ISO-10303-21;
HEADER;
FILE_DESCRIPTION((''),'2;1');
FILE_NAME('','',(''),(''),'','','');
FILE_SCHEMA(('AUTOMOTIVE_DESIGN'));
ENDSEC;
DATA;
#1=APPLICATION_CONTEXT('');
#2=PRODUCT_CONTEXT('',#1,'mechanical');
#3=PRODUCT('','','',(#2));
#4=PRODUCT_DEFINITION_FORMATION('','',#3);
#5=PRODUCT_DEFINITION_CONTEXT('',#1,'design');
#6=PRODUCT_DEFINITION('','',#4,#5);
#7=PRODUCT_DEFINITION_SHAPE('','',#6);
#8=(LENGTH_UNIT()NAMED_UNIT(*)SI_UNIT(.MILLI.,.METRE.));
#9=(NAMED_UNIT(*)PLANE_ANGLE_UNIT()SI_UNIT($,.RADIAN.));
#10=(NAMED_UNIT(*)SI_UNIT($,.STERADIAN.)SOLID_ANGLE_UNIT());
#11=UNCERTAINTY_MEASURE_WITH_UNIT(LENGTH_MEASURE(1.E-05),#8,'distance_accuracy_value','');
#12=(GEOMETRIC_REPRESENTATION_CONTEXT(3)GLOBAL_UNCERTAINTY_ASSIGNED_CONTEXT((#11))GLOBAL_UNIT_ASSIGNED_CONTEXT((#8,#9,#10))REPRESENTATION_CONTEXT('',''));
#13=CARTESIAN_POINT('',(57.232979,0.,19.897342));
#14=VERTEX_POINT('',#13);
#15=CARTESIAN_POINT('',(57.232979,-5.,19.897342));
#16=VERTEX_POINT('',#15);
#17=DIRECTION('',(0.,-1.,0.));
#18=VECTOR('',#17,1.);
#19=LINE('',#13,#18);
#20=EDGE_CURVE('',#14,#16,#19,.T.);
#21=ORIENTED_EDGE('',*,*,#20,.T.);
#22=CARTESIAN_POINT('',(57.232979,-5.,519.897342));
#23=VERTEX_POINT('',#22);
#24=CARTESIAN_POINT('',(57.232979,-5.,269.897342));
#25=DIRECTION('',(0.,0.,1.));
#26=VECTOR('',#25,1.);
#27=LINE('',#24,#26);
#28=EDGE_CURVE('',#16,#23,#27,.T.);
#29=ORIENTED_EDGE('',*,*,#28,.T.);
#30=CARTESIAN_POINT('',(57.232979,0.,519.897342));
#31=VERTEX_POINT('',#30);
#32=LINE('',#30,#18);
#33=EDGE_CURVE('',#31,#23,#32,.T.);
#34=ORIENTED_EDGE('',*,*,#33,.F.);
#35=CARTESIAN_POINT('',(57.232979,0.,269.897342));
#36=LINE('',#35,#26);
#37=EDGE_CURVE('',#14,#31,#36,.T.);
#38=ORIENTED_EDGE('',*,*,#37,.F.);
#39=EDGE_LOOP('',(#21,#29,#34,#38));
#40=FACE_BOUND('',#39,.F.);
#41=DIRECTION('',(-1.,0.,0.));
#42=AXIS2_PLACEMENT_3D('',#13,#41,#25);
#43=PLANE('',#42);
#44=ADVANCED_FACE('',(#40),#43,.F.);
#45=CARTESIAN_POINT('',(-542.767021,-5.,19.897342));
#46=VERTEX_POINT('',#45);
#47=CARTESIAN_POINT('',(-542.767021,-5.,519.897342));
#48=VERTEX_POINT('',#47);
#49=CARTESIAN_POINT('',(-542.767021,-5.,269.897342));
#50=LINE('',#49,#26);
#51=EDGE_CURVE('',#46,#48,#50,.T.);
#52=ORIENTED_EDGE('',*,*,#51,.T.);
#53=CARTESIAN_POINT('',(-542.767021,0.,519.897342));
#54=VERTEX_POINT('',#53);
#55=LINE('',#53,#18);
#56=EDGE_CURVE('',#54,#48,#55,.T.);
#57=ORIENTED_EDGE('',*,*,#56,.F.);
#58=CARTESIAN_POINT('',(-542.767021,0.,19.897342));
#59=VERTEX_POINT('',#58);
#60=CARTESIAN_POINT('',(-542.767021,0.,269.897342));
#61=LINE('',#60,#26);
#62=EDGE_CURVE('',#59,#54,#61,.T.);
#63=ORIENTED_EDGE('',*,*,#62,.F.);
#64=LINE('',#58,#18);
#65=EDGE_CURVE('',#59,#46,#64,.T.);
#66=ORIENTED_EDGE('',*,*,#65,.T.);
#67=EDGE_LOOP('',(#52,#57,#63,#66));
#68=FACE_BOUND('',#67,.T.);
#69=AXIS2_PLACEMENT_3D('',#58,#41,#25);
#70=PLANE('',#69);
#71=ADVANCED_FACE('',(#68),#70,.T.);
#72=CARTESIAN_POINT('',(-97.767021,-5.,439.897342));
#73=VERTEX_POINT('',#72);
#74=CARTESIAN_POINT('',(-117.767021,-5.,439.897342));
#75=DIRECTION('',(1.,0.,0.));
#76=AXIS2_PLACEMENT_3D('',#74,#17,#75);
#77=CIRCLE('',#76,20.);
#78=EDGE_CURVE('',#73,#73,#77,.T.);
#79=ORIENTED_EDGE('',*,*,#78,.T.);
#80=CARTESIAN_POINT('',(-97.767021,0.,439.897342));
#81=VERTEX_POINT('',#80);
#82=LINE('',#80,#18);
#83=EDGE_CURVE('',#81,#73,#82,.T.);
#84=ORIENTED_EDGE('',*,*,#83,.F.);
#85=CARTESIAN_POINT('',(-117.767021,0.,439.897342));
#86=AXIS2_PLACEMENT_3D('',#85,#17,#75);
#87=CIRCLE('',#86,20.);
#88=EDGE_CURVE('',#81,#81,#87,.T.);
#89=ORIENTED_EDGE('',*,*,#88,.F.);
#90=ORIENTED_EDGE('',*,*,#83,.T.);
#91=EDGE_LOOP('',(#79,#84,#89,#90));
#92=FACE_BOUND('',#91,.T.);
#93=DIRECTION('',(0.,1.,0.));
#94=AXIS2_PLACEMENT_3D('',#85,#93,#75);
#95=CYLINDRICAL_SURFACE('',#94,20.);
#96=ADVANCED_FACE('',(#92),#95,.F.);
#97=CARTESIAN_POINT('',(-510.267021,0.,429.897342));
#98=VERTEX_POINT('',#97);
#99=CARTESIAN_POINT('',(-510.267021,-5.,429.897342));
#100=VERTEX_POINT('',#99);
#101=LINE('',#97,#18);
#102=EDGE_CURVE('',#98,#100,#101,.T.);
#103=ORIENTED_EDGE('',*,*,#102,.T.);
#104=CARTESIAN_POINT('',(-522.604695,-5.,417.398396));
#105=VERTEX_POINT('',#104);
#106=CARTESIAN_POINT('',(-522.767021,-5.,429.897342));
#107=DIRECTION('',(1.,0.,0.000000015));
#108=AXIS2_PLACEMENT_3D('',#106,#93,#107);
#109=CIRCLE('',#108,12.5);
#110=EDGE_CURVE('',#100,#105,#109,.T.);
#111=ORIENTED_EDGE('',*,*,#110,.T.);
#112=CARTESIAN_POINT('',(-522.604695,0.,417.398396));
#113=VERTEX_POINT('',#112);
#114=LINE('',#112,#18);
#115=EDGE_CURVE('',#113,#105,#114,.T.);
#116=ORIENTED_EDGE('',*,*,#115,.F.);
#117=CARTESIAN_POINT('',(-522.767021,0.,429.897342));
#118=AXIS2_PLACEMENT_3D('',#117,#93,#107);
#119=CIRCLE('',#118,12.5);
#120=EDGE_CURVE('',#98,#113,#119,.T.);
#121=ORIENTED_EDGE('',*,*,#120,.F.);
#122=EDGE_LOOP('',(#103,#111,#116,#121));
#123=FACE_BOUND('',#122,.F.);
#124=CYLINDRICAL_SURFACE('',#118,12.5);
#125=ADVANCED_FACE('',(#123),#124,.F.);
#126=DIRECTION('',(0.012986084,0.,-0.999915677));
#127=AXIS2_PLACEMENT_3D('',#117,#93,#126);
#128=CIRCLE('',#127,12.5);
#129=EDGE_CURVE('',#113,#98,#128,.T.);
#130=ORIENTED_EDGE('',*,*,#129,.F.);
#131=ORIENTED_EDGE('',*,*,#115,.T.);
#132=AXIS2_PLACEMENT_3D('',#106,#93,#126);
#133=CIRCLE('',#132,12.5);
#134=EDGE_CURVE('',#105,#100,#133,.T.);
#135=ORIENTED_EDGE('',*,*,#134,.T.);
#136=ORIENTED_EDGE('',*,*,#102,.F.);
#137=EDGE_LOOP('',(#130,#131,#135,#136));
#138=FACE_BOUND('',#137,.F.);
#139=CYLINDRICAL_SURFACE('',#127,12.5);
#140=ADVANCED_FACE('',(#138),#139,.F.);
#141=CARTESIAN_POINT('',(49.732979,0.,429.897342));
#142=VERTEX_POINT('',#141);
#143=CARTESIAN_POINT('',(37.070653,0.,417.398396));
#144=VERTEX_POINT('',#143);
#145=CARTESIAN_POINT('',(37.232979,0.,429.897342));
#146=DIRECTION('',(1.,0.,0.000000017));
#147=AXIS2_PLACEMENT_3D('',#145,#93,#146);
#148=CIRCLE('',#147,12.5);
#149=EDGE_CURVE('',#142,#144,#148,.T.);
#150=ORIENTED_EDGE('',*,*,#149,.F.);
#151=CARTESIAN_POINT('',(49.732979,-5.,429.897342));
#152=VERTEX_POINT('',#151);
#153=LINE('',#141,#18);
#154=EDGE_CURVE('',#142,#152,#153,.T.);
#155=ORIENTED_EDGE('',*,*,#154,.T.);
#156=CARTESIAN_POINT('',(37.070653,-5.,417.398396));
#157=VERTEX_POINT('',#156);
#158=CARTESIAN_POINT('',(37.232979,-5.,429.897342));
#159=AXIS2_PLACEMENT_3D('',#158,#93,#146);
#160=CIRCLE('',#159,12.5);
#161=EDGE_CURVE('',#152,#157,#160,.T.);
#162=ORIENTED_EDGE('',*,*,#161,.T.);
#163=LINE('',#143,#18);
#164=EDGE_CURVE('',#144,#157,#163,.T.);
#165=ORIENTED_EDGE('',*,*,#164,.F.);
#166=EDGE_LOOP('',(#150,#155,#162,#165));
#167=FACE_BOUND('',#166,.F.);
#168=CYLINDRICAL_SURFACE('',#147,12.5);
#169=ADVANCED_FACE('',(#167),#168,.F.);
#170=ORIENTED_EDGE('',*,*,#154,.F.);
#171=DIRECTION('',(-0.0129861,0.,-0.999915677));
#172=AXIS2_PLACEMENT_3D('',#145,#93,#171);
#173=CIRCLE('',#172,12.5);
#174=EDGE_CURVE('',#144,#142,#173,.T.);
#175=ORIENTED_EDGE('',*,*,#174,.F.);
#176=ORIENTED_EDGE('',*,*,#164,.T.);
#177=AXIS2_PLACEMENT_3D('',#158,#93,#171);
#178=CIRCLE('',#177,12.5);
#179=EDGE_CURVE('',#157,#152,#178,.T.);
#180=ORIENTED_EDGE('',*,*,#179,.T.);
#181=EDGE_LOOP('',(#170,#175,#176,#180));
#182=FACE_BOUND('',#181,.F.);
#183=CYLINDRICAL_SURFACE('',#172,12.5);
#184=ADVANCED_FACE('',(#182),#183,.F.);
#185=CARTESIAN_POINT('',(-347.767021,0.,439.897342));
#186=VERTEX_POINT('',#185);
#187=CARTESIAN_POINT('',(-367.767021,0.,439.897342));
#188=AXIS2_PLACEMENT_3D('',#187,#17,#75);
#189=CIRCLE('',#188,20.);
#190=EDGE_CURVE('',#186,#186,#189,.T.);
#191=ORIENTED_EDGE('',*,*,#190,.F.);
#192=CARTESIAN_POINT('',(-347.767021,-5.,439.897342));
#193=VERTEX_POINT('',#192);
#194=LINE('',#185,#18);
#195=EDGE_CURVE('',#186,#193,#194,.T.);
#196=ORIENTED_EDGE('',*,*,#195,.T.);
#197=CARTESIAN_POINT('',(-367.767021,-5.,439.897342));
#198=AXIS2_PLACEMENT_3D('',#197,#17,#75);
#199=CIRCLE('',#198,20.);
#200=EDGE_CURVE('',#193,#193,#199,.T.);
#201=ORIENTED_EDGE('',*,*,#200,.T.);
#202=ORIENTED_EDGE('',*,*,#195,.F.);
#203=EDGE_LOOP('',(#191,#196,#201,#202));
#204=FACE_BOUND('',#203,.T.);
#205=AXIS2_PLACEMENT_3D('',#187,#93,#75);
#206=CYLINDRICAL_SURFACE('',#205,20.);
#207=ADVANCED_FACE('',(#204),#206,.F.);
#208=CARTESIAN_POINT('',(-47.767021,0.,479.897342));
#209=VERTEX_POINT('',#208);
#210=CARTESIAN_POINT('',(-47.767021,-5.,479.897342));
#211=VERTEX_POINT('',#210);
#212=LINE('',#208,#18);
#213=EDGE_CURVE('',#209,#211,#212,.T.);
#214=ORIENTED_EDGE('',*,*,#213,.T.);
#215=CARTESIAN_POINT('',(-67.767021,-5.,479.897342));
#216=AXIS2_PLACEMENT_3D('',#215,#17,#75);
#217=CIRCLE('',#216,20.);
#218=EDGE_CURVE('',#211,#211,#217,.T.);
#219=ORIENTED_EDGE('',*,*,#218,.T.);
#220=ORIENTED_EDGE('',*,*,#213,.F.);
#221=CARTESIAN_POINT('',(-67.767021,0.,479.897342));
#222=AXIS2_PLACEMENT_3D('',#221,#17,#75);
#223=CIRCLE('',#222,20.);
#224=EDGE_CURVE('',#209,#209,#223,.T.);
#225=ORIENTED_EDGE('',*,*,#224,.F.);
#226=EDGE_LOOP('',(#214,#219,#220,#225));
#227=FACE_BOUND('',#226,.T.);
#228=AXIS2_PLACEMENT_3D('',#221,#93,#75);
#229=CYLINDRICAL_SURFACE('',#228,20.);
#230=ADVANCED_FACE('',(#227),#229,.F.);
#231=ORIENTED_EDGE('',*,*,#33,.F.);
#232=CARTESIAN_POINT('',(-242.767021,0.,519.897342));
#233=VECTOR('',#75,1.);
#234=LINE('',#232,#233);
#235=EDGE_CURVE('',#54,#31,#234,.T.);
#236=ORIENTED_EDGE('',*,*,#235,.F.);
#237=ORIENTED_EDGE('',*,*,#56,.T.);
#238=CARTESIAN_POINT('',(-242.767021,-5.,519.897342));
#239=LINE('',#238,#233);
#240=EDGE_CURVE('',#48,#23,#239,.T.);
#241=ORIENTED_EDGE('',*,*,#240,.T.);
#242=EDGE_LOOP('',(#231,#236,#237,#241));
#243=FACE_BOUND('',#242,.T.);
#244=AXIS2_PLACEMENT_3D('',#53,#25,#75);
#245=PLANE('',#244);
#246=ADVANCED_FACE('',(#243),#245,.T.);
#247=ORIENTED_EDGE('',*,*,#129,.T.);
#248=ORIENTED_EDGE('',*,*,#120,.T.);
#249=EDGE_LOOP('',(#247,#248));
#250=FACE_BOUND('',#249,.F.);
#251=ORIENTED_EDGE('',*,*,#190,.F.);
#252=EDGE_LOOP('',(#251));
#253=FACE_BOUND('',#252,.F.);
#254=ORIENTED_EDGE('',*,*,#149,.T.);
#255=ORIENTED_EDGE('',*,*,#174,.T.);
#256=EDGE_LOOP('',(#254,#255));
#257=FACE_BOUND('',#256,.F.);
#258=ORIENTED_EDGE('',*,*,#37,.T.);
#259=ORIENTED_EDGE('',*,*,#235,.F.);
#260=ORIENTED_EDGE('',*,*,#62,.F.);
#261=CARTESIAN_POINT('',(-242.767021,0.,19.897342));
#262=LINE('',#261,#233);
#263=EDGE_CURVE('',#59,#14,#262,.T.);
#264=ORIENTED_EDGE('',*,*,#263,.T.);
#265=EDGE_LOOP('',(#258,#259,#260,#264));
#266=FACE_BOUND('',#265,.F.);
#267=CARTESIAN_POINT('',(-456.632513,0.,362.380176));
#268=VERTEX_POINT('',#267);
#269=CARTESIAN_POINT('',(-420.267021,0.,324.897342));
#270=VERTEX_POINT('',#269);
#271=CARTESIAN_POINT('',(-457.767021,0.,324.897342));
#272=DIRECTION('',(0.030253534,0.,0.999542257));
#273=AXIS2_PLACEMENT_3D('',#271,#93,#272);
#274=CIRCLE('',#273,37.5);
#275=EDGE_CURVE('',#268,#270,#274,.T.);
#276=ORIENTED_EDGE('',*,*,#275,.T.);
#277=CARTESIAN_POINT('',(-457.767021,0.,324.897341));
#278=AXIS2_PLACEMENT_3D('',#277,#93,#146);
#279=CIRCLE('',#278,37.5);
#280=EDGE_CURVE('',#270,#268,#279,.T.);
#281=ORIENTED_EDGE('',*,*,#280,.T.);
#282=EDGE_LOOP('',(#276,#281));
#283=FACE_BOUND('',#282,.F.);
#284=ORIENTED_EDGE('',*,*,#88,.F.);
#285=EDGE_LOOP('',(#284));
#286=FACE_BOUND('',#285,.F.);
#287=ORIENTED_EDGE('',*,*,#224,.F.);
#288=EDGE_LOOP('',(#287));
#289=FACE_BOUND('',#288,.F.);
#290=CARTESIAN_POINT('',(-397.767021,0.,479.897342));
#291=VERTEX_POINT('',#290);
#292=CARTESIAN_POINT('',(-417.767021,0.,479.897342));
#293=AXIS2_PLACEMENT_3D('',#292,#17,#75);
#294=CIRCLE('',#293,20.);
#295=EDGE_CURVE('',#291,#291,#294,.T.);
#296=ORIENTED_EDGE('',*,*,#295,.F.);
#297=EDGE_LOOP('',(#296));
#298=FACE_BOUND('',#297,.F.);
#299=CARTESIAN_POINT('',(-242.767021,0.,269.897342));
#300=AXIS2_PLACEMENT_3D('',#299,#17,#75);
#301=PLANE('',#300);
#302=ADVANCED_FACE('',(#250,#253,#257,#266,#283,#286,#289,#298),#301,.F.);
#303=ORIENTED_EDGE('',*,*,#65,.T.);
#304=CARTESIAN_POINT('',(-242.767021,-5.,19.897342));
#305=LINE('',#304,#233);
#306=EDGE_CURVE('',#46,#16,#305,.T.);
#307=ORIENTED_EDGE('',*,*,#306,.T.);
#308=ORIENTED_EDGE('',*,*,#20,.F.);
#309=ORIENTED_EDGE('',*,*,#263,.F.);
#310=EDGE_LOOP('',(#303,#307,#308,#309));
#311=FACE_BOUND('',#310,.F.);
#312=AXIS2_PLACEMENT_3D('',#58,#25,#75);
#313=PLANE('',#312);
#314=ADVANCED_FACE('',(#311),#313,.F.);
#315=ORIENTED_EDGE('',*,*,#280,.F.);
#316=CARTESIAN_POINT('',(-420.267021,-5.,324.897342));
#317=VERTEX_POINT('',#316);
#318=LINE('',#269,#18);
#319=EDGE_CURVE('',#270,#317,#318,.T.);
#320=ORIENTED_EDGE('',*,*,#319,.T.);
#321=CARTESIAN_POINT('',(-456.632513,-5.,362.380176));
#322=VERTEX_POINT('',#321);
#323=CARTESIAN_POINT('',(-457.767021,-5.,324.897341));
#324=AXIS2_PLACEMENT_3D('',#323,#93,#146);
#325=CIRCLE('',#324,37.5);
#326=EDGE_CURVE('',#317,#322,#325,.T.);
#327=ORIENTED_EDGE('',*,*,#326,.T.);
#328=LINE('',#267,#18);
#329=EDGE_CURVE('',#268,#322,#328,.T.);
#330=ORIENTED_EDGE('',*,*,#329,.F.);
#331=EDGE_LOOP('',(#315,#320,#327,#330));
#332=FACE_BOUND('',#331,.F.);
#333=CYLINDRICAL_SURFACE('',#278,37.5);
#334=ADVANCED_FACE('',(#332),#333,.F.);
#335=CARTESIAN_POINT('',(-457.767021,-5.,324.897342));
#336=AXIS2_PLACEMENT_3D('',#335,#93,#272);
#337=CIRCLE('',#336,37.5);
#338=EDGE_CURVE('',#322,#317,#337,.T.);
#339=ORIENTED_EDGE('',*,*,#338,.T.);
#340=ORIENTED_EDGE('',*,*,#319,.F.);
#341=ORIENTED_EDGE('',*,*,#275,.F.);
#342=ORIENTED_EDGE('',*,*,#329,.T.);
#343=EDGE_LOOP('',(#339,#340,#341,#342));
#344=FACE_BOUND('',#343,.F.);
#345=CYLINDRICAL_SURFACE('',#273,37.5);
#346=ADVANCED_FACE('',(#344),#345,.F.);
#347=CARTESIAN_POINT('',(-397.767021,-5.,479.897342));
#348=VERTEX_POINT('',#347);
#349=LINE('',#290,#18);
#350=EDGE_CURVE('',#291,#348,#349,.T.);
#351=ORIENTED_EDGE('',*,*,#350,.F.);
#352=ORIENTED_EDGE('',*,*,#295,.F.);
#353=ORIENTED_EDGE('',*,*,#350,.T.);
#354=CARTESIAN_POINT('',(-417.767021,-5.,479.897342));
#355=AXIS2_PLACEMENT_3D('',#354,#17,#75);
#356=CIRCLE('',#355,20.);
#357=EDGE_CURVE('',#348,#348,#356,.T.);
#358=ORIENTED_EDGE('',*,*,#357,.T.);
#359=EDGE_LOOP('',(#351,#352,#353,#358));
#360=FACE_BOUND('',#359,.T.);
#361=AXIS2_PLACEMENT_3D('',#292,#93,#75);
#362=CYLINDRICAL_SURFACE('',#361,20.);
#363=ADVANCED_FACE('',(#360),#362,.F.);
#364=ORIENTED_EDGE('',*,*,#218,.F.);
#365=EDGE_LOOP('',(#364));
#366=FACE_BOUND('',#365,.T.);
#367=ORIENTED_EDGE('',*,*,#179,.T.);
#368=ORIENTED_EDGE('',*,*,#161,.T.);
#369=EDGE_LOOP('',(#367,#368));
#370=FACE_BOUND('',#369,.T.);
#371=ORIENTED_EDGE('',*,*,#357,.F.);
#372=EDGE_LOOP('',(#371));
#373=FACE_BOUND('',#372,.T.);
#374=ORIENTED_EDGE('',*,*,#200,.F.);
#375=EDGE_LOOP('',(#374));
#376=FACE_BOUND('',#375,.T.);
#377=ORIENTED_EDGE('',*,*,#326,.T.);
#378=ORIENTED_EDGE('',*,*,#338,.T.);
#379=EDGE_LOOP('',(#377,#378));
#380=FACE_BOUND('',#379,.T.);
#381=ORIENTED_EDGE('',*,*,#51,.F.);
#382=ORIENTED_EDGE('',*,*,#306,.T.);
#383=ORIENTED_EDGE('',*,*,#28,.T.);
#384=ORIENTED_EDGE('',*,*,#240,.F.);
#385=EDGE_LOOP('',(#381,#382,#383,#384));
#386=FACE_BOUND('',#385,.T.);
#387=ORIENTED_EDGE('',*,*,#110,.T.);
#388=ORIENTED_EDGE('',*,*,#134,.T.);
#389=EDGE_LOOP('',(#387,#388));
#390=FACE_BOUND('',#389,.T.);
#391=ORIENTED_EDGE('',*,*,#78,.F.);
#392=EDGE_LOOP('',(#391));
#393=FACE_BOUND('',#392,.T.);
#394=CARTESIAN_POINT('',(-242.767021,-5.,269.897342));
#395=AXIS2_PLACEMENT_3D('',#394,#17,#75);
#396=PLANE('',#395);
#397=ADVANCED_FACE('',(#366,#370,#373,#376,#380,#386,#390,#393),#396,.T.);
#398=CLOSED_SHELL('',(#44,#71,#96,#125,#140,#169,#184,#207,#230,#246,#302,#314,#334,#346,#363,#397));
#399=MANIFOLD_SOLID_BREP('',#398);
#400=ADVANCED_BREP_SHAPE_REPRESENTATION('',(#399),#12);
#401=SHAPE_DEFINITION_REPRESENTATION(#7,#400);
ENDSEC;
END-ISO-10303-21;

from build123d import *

# Parameters (mm, degrees)
F0_W     = 600
F0_H     = 500
F0_R     = 20
F1_DEPTH = 5


with BuildPart() as f1:
    # F0 (on Front) → F1 (new body)
    with BuildSketch(Plane.XZ):
        with Locations((-242.767021, 269.897342)):
            Rectangle(F0_W, F0_H)
        with BuildLine():
            ThreePointArc((-420.267021, 324.897342), (-484.681646, 298.785027), (-456.632513, 362.380176))
            ThreePointArc((-456.632513, 362.380176), (-430.852396, 351.009656), (-420.267021, 324.897342))
        make_face(mode=Mode.SUBTRACT)
        with BuildLine():
            ThreePointArc((-522.604695, 417.398396), (-531.663062, 438.678598), (-510.267021, 429.897342))
            ThreePointArc((-510.267021, 429.897342), (-513.870981, 421.116085), (-522.604695, 417.398396))
        make_face(mode=Mode.SUBTRACT)
        with Locations((-417.767021, 479.897342)):
            Circle(F0_R, mode=Mode.SUBTRACT)
        with Locations((-367.767021, 439.897342)):
            Circle(F0_R, mode=Mode.SUBTRACT)
        with Locations((-117.767021, 439.897342)):
            Circle(F0_R, mode=Mode.SUBTRACT)
        with BuildLine():
            ThreePointArc((49.732979, 429.897342), (46.014235, 421.001301), (37.070653, 417.398396))
            ThreePointArc((37.070653, 417.398396), (28.451723, 438.793382), (49.732979, 429.897342))
        make_face(mode=Mode.SUBTRACT)
        with Locations((-67.767021, 479.897342)):
            Circle(F0_R, mode=Mode.SUBTRACT)
    extrude(amount=F1_DEPTH)


solid = f1.part
